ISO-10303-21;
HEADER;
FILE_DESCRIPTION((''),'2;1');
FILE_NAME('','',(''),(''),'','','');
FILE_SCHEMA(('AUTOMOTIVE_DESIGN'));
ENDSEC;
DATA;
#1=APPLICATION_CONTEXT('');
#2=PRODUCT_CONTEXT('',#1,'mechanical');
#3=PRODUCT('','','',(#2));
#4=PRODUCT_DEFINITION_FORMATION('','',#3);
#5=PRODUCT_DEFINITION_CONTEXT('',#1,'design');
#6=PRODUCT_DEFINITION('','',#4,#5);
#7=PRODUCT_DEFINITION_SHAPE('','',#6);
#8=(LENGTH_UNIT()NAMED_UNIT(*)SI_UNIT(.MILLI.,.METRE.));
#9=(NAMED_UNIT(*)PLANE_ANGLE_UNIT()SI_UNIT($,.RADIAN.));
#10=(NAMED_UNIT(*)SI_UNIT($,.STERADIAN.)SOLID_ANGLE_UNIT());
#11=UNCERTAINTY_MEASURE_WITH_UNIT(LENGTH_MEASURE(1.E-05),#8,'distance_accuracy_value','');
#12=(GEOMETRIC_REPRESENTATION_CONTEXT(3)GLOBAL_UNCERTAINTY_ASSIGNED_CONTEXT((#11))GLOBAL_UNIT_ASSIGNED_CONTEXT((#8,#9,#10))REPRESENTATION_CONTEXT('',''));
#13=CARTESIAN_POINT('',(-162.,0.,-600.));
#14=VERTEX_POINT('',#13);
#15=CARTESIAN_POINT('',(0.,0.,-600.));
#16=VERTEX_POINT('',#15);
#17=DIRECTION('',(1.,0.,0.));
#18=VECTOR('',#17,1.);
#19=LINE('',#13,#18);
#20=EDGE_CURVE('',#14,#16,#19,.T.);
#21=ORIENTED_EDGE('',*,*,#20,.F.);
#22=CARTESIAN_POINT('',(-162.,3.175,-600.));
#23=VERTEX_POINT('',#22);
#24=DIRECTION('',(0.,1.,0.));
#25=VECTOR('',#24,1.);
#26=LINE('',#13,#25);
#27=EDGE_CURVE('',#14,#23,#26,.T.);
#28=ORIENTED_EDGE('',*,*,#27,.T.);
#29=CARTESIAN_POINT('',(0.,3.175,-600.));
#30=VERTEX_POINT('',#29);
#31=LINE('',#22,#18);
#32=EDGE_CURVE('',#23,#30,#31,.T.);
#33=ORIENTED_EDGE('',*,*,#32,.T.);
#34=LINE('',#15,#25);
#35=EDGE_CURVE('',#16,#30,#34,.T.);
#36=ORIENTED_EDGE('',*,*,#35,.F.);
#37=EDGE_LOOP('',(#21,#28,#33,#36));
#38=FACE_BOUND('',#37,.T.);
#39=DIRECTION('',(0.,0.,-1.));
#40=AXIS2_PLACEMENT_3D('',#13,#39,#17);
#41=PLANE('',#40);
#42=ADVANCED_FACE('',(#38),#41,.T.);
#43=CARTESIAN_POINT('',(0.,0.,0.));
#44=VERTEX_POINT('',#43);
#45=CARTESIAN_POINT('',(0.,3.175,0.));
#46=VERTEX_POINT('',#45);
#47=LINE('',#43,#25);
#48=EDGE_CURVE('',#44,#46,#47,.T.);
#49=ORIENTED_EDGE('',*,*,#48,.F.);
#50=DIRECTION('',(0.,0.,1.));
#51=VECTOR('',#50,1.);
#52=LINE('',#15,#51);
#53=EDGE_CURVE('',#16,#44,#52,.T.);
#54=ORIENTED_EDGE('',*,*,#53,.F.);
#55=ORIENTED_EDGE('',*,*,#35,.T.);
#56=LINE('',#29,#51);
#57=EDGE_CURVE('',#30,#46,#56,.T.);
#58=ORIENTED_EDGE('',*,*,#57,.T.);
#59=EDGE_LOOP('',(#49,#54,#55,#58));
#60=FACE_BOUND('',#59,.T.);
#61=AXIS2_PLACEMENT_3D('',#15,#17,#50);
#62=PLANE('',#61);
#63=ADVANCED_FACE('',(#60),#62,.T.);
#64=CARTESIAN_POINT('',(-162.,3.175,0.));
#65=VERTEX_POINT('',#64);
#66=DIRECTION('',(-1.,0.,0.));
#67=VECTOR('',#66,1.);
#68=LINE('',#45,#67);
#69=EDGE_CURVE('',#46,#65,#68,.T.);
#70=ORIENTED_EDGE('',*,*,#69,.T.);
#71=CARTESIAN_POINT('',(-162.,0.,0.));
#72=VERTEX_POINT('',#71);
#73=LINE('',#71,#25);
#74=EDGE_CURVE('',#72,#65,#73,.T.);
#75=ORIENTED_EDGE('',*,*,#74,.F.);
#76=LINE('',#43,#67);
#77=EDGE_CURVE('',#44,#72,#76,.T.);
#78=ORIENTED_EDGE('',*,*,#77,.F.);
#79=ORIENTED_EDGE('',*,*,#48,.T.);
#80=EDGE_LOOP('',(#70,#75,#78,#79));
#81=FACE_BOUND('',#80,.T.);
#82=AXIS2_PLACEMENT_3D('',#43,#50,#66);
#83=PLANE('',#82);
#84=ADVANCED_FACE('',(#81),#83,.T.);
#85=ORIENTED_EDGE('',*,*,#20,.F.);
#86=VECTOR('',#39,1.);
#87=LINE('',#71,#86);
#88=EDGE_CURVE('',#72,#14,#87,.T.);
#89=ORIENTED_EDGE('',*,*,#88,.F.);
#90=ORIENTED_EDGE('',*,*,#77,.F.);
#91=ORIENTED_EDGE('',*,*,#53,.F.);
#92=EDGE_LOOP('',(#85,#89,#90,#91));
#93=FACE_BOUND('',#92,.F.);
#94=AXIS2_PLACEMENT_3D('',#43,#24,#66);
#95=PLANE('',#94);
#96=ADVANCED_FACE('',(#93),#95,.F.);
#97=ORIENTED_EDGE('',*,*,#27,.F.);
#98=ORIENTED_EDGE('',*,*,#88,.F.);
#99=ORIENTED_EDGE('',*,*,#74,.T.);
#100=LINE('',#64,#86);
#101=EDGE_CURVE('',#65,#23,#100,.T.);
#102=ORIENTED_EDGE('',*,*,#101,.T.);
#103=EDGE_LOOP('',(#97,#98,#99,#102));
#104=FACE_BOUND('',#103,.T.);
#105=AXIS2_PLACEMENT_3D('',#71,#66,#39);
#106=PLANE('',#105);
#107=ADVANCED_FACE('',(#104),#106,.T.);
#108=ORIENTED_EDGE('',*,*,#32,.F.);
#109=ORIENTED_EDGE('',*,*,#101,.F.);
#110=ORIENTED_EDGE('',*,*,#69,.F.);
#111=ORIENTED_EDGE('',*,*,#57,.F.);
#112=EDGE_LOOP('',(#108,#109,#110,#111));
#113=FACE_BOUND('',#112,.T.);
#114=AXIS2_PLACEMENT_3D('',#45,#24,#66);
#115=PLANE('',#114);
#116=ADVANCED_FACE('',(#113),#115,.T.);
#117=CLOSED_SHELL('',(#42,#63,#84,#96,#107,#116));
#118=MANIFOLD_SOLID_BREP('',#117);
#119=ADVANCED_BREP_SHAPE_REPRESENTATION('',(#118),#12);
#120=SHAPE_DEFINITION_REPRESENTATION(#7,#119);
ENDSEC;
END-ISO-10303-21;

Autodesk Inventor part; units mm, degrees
ref_plane "YZ Plane" through (0, 0, 0) normal (1, 0, 0) x (0, 1, 0)
ref_plane "XZ Plane" through (0, 0, 0) normal (0, 1, 0) x (-1, 0, 0)
ref_plane "XY Plane" through (0, 0, 0) normal (0, 0, 1) x (1, 0, 0)
sketch "Sketch1" plane through (0, 0, 0) normal (0, 1, 0) x (-1, 0, 0)
  line L0 (0, 0) -> (162, 0)
  line L1 (162, 0) -> (162, -600)
  line L2 (162, -600) -> (0, -600)
  line L3 (0, -600) -> (0, 0)
  dimension "d0" = 162
  dimension "d1" = 600
extrude "Extrusion1" add sketch "Sketch1" along normal blind 3.175
equation "\"d0\" = batteryBoxWidth"
equation "\"d1\" = batteryBoxLength"
equation "\"d2\" = sheetMetalThickness"
equation "\"BendRadius\" = Thickness"
equation "\"BendReliefWidth\" = Thickness"
equation "\"BendReliefDepth\" = 0.5 * Thickness"
equation "\"CornerReliefSize\" = 4 * Thickness"
equation "\"MinimumRemnant\" = 2 * Thickness"
equation "\"TransitionRadius\" = BendRadius"
equation "\"JacobiRadiusSize\" = BendRadius"
equation "\"GapSize\" = Thickness"
equation "\"tolerance\" = 0.2"
equation "\"cellSpacing\" = 1"
equation "\"screwDiameter\" = 5"
equation "\"baseThickness\" = 7"
equation "\"tabThickness\" = 0.8"
equation "\"batteryBoxWidth\" = 162"
equation "\"batteryBoxLength\" = 600"
equation "\"sheetMetalThickness\" = 3.175"
equation "\"Thickness\" = 3.048"
properties part number "BatteryBoxSheetMetal"
